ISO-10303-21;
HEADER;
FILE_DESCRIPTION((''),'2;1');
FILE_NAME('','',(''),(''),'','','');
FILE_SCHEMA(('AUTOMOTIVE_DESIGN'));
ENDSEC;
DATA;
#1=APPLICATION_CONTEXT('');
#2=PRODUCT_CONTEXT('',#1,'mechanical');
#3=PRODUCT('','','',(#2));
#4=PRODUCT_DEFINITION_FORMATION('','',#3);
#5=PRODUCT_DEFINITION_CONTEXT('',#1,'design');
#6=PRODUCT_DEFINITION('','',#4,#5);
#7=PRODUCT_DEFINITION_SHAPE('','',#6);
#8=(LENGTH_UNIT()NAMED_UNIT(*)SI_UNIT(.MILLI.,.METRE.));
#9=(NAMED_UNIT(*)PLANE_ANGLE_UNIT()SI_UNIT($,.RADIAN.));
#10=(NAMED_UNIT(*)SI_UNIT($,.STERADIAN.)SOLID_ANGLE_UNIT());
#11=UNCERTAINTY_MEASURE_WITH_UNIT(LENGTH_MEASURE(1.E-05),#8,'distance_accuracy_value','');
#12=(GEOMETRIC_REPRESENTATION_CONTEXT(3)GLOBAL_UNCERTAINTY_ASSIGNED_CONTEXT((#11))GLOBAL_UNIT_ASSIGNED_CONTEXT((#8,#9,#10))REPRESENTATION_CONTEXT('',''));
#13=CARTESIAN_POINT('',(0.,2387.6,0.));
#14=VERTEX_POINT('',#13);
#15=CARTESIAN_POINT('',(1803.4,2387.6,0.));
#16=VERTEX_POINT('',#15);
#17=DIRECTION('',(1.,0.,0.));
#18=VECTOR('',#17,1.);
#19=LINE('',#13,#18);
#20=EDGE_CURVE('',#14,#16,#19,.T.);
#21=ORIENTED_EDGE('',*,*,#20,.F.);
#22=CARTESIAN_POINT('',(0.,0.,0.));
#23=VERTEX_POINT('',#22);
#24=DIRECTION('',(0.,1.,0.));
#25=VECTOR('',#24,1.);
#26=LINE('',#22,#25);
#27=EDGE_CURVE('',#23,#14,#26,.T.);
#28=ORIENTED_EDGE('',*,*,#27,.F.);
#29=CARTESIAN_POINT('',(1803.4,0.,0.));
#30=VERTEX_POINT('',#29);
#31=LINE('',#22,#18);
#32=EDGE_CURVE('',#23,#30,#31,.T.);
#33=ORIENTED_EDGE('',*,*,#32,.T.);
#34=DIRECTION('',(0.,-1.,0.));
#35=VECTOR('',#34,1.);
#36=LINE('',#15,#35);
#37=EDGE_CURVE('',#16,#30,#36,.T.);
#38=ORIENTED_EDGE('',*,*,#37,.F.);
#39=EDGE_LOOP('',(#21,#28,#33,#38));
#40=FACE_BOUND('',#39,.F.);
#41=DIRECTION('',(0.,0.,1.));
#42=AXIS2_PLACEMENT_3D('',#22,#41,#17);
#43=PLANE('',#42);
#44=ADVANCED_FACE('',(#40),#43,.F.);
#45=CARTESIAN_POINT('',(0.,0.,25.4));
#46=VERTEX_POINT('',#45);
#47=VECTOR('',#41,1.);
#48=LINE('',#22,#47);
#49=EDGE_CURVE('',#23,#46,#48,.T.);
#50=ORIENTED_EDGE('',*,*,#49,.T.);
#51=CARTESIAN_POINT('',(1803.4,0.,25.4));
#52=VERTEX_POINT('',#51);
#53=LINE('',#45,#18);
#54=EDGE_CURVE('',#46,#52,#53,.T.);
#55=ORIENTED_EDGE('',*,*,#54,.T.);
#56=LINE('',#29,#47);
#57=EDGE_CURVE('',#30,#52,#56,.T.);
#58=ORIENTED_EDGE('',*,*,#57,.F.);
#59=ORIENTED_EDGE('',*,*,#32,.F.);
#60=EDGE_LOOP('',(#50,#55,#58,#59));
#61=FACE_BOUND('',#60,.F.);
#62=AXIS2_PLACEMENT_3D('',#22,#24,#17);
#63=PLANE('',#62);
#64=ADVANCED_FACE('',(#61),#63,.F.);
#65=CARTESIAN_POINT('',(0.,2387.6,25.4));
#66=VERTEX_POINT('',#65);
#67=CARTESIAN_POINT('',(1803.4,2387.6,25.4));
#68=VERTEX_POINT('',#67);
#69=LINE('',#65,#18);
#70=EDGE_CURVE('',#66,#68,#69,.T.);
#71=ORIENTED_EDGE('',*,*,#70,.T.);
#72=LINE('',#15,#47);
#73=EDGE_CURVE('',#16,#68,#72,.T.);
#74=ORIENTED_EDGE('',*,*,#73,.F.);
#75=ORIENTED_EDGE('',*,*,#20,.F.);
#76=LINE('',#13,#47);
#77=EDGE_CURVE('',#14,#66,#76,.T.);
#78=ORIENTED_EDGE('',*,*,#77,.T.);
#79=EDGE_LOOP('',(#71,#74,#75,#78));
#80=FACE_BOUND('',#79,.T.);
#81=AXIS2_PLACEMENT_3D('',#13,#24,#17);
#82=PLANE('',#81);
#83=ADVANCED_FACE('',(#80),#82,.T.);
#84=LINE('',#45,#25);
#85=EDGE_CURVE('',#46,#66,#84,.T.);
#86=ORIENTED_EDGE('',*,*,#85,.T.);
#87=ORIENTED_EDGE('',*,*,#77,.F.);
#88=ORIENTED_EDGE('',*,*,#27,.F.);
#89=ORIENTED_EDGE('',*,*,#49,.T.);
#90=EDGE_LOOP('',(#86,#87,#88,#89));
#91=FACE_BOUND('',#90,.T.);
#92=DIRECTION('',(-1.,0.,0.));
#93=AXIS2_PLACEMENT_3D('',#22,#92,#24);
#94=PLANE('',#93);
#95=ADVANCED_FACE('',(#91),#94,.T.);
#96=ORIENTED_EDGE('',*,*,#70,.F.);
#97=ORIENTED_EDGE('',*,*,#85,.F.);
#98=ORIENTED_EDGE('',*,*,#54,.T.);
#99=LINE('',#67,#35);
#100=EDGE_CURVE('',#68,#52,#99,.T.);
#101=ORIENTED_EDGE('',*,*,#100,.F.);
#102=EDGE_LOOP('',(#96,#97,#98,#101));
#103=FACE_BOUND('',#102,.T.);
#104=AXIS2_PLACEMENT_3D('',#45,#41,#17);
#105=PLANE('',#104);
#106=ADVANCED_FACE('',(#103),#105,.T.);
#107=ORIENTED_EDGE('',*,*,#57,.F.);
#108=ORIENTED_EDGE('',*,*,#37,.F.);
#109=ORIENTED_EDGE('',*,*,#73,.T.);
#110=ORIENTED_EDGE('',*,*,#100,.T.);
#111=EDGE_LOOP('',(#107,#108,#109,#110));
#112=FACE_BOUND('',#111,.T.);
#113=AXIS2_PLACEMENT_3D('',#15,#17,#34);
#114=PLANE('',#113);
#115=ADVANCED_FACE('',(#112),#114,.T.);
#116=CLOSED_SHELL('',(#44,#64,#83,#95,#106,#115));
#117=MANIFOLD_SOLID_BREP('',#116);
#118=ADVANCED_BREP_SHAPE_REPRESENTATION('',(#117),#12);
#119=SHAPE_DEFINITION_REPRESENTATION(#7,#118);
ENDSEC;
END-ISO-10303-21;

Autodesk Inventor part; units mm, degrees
ref_plane "YZ Plane" through (0, 0, 0) normal (1, 0, 0) x (0, 1, 0)
ref_plane "XZ Plane" through (0, 0, 0) normal (0, 1, 0) x (-1, 0, 0)
ref_plane "XY Plane" through (0, 0, 0) normal (0, 0, 1) x (1, 0, 0)
ref_plane "Work Plane1" through (0, 0, 0) normal (0, 0, 1) x (1, 0, 0)
sketch "Sketch1" plane through (0, 0, 0) normal (0, 0, 1) x (1, 0, 0)
  line L0 (0, 0) -> (1803.4, 0) projected
  line L1 (1803.4, 2387.6) -> (1803.4, 0) projected
  line L2 (0, 0) -> (0, 2387.6) projected
  line L3 (0, 2387.6) -> (1803.4, 2387.6)
extrude "Extrusion1" add sketch "Sketch1" along normal blind 25.4
properties part number "BACK WALL"
